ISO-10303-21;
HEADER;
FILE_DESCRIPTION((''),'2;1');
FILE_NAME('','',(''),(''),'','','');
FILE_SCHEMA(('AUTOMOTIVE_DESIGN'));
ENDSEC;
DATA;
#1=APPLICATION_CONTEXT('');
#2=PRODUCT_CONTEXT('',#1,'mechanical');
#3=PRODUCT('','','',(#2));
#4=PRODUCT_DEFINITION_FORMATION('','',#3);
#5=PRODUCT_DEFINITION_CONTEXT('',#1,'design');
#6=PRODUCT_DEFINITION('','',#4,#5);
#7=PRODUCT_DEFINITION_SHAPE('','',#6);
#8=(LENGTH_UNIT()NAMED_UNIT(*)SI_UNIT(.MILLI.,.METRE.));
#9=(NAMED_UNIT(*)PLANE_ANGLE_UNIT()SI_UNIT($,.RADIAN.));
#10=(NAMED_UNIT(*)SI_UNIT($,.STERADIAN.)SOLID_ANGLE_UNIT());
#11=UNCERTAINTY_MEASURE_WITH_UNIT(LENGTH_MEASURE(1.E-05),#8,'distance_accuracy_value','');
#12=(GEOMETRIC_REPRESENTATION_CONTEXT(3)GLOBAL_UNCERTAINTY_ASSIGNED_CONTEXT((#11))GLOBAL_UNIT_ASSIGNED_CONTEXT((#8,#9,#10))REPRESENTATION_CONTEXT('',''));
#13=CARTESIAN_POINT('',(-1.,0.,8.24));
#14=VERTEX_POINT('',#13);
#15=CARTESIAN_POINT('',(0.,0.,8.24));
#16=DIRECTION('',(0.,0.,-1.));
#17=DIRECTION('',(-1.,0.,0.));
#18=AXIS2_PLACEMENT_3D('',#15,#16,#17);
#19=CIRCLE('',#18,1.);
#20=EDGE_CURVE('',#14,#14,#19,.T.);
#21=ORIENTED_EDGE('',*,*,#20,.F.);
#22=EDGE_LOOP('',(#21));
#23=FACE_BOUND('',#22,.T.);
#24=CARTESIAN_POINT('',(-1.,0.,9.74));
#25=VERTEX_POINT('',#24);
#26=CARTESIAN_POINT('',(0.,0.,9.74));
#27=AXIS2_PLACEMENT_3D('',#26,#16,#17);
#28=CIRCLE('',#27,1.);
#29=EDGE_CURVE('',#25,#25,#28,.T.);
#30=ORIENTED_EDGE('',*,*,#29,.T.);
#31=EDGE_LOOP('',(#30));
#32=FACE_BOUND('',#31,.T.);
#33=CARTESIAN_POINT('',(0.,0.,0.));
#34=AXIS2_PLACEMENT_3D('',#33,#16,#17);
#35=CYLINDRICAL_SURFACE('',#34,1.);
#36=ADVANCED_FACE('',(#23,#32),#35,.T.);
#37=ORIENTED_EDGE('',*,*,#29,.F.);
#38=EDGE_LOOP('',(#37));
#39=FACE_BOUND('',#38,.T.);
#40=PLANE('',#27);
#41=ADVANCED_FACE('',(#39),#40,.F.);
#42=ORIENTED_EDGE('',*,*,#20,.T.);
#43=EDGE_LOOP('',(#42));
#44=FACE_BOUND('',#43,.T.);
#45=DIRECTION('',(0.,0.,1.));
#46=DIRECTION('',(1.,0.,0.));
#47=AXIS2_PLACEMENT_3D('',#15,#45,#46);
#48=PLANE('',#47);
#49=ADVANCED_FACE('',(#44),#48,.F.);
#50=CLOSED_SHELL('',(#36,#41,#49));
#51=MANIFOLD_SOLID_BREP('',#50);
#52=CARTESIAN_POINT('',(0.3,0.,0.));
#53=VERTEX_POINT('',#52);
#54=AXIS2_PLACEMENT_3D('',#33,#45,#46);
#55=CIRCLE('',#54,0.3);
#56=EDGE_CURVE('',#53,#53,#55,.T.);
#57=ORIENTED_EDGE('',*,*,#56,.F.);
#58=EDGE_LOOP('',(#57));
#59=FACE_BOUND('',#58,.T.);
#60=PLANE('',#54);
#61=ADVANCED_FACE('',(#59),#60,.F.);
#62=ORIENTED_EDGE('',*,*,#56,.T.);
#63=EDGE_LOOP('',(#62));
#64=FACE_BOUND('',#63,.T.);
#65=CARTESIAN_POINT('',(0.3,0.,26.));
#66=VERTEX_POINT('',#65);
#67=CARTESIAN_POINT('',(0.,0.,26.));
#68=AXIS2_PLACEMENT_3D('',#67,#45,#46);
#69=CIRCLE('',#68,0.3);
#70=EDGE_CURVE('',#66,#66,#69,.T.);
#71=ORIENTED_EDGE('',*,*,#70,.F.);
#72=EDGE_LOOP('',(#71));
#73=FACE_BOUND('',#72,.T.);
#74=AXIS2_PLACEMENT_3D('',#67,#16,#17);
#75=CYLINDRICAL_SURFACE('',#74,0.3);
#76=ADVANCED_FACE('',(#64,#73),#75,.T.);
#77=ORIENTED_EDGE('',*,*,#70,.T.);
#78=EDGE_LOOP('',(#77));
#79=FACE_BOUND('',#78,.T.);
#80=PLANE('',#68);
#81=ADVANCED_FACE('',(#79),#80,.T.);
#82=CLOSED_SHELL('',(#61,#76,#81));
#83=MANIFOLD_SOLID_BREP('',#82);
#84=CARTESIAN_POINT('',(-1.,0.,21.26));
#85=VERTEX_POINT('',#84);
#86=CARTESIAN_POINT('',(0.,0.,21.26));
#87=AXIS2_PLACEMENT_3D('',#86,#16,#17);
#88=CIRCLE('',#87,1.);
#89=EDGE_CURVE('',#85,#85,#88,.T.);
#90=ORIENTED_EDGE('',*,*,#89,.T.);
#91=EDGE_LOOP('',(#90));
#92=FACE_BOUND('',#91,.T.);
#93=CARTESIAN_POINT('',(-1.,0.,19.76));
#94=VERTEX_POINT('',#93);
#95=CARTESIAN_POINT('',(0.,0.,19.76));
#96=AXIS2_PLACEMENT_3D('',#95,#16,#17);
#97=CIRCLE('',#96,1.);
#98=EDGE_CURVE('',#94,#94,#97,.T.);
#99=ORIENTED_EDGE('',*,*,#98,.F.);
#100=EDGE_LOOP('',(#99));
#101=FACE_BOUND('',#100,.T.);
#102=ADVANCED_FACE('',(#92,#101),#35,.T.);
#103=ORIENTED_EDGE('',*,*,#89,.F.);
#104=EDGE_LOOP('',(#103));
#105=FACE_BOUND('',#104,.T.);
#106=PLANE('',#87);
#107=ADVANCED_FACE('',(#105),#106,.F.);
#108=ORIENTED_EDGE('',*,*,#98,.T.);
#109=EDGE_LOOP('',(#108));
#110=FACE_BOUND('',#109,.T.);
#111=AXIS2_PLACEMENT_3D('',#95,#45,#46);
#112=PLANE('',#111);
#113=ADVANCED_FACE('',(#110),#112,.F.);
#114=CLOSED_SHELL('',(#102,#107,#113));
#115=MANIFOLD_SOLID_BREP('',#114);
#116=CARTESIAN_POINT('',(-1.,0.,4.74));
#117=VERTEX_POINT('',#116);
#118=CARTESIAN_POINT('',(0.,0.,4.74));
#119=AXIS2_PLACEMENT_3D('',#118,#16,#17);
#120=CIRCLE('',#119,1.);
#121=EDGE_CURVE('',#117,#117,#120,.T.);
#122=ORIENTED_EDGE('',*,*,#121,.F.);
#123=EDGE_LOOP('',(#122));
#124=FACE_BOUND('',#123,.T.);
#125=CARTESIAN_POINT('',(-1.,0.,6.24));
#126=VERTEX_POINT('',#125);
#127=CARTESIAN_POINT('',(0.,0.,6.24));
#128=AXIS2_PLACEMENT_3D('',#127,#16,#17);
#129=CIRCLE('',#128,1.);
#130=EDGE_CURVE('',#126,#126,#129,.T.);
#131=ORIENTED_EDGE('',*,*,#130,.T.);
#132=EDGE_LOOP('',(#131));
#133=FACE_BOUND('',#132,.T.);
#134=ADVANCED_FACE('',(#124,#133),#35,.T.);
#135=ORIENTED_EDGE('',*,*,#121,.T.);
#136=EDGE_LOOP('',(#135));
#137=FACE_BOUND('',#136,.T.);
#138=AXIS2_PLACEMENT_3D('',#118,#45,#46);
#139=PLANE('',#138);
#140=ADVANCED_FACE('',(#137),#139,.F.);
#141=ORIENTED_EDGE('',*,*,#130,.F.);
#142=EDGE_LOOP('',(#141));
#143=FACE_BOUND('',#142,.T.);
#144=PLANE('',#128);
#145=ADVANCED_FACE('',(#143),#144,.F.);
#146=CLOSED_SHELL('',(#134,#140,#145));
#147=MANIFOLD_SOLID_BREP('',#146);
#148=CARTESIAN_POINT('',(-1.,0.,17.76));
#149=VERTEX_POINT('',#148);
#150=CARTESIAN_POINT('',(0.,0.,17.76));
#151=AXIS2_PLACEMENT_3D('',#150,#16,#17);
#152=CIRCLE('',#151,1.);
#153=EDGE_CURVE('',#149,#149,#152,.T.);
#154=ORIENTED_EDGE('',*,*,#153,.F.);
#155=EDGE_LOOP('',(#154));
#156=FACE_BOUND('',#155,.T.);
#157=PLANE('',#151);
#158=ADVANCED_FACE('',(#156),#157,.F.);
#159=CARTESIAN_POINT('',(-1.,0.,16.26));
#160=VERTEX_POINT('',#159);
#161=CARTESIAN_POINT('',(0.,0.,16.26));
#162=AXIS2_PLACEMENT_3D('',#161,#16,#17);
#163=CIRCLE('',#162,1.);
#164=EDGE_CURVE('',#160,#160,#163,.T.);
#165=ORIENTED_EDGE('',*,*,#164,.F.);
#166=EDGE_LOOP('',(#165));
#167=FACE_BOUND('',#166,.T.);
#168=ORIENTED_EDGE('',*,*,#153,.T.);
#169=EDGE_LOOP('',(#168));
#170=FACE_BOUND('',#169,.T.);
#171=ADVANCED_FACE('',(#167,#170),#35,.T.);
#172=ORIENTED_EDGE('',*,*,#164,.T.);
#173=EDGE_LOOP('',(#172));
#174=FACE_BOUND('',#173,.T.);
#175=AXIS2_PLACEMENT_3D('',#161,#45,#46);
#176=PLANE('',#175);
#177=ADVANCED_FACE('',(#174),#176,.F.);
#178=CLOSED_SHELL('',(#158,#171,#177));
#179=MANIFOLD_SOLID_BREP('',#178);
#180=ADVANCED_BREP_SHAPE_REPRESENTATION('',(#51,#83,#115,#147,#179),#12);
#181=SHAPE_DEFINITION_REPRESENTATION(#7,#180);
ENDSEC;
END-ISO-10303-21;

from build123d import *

# Parameters (mm, degrees)
SKETCH1_R           = 0.3
BOSS_EXTRUDE1_DEPTH = 26
SKETCH2_W           = 1
SKETCH2_H           = 1.5


with BuildPart() as part:
    # Sketch1 → Boss-Extrude1 (new body)
    with BuildSketch(Plane.XY):
        Circle(SKETCH1_R)
    extrude(amount=BOSS_EXTRUDE1_DEPTH)


with BuildPart() as body_2:
    # Sketch2 → Revolve1 (revolve)
    with BuildSketch(Plane(origin=(0, 0, 0), x_dir=(1, 0, 0), z_dir=(0, 1, 0))):
        with Locations((0.5, -5.49)):
            Rectangle(SKETCH2_W, SKETCH2_H)
        with Locations((0.5, -8.99)):
            Rectangle(SKETCH2_W, SKETCH2_H)
        with Locations((0.5, -20.51)):
            Rectangle(SKETCH2_W, SKETCH2_H)
        with Locations((0.5, -17.01)):
            Rectangle(SKETCH2_W, SKETCH2_H)
    revolve(axis=Axis((0, 0, 0), (0, 0, 1)))


solid = Compound([part.part, body_2.part])
